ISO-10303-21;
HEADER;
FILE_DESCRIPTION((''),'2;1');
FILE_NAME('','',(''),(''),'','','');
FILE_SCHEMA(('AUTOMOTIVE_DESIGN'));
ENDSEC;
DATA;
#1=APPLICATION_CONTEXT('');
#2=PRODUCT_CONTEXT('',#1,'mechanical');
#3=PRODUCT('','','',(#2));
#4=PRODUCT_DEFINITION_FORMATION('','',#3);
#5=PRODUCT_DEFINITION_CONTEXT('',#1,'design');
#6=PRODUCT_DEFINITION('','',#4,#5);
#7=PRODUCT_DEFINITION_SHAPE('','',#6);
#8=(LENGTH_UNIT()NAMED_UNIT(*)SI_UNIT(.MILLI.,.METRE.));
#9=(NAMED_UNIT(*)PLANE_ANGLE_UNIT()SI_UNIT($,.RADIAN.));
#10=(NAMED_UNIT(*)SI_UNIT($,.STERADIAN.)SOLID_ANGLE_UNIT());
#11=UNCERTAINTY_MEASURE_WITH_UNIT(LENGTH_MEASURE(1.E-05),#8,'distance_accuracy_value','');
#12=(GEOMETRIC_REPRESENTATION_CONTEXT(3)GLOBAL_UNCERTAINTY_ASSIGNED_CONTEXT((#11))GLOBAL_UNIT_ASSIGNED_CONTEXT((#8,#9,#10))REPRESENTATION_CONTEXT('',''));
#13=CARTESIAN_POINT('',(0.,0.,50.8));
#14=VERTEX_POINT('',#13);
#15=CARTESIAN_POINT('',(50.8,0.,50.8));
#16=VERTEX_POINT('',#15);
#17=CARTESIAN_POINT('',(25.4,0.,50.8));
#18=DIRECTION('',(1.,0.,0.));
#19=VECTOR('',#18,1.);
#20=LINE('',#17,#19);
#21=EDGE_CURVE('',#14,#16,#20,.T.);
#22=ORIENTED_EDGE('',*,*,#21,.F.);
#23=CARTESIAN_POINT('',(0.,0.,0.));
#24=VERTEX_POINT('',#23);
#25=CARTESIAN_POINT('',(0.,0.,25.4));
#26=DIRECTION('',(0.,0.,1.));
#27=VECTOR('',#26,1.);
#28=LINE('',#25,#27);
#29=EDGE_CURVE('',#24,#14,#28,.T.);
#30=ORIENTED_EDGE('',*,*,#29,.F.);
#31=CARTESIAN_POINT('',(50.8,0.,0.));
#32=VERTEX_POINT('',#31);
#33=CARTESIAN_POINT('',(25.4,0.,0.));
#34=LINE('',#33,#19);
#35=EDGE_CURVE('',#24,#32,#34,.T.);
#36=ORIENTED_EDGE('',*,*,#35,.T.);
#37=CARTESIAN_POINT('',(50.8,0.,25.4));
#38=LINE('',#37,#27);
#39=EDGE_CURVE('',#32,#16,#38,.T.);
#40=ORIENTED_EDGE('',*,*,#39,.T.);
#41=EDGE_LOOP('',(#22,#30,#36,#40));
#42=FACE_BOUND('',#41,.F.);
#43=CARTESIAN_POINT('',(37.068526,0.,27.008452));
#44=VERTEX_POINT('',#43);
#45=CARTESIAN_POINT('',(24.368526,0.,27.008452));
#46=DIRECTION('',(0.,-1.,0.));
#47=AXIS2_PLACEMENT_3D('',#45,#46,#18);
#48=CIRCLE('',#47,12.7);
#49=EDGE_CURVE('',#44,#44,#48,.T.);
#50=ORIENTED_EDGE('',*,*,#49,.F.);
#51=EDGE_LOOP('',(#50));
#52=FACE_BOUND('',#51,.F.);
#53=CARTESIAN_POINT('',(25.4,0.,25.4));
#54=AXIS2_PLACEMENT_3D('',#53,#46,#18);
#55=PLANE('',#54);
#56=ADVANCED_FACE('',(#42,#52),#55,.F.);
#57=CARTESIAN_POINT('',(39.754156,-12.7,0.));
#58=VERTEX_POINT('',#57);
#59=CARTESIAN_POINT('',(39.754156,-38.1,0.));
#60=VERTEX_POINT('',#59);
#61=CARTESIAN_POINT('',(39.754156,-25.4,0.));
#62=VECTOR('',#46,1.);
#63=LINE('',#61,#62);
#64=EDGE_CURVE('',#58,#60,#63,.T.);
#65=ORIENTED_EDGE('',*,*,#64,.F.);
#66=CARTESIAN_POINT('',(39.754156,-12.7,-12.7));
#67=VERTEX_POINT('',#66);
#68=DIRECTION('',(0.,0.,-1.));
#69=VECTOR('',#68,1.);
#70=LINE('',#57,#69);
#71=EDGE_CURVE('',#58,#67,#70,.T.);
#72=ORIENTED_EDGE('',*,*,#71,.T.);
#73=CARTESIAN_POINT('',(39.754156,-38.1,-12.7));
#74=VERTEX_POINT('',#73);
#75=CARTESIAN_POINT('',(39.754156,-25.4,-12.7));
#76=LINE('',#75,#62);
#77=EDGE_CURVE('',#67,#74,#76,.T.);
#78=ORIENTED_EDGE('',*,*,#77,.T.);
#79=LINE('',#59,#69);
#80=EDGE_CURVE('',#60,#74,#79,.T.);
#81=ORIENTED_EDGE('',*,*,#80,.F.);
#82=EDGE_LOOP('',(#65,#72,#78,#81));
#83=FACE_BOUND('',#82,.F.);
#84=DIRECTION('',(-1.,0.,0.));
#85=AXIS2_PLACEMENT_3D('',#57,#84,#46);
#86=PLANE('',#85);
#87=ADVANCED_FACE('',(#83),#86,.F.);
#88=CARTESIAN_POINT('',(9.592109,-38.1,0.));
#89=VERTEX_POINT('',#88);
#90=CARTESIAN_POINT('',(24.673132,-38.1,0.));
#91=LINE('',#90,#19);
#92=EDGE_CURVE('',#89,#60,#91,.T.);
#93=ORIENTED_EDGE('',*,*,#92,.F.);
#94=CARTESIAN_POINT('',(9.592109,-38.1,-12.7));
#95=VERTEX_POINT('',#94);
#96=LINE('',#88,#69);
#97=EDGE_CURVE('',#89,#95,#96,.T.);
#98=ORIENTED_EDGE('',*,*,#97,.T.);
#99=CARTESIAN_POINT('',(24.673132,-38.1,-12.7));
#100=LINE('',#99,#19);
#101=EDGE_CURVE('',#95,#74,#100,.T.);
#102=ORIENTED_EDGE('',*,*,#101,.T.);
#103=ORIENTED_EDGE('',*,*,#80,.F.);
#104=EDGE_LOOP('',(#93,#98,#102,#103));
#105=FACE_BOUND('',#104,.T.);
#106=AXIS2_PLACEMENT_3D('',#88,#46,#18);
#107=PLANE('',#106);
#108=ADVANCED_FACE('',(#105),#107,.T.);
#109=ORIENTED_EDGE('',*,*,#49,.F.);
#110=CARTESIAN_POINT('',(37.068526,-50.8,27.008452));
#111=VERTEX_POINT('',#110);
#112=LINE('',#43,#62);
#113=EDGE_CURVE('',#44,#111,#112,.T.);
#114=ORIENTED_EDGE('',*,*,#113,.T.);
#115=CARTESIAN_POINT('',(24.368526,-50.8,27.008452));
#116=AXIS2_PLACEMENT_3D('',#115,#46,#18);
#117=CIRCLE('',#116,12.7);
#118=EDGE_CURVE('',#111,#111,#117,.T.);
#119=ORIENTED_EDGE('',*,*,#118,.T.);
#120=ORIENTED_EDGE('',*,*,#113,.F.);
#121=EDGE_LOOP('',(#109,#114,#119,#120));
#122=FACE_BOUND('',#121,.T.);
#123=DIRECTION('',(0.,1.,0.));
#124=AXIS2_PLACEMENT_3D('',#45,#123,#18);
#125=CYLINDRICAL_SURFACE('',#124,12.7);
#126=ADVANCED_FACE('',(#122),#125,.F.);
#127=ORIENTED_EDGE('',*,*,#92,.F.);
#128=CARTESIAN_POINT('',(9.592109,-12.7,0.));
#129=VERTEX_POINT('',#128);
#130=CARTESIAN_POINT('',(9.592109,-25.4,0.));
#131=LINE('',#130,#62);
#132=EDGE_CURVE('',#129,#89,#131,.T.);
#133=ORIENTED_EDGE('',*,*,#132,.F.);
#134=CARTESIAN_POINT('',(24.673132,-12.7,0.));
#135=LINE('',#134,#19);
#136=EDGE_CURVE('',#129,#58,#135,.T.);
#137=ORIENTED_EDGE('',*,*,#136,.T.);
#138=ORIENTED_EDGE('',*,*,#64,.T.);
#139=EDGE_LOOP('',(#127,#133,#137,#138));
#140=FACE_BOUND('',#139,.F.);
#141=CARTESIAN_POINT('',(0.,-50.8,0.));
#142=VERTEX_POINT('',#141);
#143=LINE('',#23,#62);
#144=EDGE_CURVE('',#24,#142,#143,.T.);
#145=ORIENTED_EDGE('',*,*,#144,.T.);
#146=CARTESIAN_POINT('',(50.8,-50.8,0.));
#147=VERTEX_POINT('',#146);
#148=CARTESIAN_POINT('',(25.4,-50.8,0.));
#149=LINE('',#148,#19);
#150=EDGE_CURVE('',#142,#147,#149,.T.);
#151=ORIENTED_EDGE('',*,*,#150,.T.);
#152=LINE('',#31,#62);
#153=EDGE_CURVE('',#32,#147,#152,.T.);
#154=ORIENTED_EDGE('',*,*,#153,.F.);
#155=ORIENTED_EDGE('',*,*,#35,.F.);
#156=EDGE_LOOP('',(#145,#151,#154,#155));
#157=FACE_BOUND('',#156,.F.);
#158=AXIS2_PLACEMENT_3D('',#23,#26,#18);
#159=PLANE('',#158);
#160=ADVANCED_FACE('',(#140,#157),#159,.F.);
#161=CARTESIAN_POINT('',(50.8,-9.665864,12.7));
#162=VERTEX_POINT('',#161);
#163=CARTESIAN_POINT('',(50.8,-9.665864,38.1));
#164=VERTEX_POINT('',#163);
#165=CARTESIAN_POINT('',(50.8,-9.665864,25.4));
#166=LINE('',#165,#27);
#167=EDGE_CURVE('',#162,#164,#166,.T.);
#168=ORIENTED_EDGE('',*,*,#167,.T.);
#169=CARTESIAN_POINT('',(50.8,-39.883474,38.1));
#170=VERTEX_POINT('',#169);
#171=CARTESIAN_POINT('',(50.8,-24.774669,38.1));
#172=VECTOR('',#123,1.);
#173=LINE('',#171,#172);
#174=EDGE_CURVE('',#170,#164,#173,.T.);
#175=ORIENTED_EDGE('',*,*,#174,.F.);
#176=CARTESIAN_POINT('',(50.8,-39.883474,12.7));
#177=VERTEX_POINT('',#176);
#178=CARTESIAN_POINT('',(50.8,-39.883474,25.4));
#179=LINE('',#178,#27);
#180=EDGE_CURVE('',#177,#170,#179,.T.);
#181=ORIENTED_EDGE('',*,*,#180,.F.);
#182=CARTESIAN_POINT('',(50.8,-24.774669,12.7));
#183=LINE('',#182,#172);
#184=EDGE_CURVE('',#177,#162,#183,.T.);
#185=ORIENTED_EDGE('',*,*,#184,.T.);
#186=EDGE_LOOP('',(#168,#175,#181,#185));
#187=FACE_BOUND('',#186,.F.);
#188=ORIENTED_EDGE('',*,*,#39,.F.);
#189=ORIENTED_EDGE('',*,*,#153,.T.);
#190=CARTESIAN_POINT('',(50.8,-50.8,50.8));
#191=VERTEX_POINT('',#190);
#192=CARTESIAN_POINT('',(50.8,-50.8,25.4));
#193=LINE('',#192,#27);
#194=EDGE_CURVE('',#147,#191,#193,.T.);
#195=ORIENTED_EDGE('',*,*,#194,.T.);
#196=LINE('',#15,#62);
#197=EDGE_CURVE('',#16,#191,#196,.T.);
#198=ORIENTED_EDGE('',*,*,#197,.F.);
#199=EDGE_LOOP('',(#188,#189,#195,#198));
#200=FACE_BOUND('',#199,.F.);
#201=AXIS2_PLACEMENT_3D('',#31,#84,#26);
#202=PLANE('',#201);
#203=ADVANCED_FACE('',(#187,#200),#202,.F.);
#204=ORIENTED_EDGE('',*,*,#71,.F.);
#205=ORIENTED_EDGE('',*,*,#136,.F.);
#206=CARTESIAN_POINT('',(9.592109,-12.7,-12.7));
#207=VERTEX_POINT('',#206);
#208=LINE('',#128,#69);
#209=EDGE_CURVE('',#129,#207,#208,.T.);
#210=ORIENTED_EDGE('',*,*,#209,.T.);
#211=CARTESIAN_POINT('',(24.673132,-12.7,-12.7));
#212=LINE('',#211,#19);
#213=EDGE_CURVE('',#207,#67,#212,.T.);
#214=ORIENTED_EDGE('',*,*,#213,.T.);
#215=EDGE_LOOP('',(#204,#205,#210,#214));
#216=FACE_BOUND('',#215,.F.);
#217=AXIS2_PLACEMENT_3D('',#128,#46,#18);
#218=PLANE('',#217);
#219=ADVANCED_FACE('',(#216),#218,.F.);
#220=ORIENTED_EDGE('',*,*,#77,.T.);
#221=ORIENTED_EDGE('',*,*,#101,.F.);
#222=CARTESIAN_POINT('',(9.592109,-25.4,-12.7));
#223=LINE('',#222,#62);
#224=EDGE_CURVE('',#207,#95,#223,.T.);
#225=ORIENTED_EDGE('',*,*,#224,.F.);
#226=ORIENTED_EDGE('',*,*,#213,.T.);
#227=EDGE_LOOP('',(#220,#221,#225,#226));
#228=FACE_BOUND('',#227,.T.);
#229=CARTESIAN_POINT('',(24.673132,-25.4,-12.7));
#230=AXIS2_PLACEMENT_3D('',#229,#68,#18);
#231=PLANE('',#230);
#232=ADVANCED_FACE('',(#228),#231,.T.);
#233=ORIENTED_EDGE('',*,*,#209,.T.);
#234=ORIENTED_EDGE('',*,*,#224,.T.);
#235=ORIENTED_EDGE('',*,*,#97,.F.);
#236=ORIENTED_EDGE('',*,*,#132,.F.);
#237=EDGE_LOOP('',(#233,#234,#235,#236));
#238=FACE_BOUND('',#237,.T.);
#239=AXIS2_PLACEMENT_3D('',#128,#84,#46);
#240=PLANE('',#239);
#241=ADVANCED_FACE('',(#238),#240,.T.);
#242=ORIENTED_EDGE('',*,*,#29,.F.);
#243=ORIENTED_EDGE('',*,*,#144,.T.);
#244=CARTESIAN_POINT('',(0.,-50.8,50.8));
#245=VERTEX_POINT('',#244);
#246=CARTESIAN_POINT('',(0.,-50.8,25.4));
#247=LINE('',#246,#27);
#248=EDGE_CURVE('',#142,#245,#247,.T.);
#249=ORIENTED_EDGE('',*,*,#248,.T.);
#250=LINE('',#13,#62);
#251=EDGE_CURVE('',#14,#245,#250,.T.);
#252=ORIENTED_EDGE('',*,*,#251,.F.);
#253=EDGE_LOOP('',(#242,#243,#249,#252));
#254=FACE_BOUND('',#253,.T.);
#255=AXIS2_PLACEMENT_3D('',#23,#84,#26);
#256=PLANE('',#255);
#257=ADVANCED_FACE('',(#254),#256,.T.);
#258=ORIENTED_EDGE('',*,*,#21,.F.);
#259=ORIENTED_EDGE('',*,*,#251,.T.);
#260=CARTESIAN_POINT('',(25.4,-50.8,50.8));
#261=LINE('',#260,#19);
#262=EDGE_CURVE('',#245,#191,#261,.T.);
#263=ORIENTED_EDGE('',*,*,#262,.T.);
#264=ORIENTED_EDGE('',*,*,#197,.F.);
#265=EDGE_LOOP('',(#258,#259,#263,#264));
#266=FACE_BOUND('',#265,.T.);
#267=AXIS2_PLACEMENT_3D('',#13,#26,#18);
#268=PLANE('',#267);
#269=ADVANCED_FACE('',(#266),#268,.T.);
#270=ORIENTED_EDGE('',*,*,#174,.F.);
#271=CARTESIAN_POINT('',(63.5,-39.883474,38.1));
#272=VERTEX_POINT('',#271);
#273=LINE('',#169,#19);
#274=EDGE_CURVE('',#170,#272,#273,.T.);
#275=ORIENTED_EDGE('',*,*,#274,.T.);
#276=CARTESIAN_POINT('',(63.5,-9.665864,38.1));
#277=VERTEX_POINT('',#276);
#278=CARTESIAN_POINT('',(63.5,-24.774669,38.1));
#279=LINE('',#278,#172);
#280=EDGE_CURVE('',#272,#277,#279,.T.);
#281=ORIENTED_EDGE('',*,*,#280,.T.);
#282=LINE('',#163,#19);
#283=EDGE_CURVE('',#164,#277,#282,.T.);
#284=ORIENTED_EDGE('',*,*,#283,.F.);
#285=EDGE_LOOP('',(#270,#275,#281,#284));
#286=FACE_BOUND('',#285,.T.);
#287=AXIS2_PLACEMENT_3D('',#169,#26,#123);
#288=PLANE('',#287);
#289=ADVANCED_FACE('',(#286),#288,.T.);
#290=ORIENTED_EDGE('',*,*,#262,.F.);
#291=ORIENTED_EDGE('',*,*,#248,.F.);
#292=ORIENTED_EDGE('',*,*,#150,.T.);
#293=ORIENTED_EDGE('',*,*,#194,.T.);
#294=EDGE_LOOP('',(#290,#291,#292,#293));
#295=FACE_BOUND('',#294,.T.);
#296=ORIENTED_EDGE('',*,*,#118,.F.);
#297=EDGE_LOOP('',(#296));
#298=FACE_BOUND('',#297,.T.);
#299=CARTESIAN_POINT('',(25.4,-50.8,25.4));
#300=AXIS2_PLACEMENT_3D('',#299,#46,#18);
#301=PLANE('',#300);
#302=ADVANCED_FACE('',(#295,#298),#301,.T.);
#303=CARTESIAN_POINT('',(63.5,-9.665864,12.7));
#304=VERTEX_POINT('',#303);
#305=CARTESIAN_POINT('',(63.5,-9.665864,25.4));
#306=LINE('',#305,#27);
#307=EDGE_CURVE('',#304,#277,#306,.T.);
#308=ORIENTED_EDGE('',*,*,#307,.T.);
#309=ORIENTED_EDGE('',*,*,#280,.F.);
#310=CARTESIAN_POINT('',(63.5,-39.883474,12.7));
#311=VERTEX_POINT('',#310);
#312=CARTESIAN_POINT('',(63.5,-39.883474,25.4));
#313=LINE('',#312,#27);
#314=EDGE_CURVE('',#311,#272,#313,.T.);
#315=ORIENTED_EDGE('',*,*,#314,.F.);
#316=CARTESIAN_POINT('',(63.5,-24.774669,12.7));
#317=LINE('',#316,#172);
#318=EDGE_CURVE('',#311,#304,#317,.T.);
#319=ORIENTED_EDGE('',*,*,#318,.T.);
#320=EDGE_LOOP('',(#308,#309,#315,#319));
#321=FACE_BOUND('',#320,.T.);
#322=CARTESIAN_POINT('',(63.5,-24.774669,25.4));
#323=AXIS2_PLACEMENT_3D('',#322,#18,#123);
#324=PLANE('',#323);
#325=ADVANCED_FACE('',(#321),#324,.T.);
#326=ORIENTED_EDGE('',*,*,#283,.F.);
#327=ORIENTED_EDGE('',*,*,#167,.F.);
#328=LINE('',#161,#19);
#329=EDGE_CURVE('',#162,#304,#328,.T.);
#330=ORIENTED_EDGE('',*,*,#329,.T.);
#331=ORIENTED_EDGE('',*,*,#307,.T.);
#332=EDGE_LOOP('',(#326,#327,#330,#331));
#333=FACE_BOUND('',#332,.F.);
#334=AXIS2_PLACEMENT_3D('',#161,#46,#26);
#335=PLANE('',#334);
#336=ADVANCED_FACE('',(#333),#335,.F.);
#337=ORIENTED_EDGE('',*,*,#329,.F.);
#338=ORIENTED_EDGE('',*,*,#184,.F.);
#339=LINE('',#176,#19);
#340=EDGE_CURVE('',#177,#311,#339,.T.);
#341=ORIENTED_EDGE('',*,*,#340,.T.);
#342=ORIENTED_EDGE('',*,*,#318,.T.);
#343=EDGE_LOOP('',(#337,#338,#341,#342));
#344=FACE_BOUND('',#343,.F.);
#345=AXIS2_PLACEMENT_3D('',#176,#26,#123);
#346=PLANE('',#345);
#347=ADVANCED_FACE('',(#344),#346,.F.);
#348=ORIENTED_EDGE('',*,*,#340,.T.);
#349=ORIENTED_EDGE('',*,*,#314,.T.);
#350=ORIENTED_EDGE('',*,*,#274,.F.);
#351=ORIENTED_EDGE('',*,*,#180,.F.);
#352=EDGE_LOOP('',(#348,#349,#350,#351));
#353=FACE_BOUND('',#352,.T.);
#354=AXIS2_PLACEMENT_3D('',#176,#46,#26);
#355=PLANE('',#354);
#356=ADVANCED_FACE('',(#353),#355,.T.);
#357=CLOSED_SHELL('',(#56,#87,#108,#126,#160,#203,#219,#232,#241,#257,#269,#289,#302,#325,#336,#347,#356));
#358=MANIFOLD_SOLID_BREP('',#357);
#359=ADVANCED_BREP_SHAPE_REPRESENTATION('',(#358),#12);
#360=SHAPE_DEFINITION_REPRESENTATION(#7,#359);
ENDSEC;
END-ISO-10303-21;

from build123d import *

# Parameters (mm, degrees)
F1_W     = 50.8
F1_H     = 50.8
F1_R     = 12.7
F2_DEPTH = 50.8
F3_W     = 30.162047
F3_H     = 25.4
F4_DEPTH = 12.7
F5_W     = 30.217611
F5_H     = 25.4
F6_DEPTH = 12.7


with BuildPart() as f2:
    # F1 (on face) → F2 (new body)
    with BuildSketch(Plane.XZ):
        with Locations((25.4, 25.4)):
            Rectangle(F1_W, F1_H)
        with Locations((24.368526, 27.008452)):
            Circle(F1_R, mode=Mode.SUBTRACT)
    extrude(amount=F2_DEPTH)

    # F3 (on face) → F4 (join)
    with BuildSketch(Plane(origin=(0, 0, 0), x_dir=(1, 0, 0), z_dir=(0, 0, -1))):
        with Locations((24.673132, 25.4)):
            Rectangle(F3_W, F3_H)
    extrude(amount=F4_DEPTH)

    # F5 (on face) → F6 (join)
    with BuildSketch(Plane.YZ.offset(50.8)):
        with Locations((-24.774669, 25.4)):
            Rectangle(F5_W, F5_H)
    extrude(amount=F6_DEPTH)


solid = f2.part
